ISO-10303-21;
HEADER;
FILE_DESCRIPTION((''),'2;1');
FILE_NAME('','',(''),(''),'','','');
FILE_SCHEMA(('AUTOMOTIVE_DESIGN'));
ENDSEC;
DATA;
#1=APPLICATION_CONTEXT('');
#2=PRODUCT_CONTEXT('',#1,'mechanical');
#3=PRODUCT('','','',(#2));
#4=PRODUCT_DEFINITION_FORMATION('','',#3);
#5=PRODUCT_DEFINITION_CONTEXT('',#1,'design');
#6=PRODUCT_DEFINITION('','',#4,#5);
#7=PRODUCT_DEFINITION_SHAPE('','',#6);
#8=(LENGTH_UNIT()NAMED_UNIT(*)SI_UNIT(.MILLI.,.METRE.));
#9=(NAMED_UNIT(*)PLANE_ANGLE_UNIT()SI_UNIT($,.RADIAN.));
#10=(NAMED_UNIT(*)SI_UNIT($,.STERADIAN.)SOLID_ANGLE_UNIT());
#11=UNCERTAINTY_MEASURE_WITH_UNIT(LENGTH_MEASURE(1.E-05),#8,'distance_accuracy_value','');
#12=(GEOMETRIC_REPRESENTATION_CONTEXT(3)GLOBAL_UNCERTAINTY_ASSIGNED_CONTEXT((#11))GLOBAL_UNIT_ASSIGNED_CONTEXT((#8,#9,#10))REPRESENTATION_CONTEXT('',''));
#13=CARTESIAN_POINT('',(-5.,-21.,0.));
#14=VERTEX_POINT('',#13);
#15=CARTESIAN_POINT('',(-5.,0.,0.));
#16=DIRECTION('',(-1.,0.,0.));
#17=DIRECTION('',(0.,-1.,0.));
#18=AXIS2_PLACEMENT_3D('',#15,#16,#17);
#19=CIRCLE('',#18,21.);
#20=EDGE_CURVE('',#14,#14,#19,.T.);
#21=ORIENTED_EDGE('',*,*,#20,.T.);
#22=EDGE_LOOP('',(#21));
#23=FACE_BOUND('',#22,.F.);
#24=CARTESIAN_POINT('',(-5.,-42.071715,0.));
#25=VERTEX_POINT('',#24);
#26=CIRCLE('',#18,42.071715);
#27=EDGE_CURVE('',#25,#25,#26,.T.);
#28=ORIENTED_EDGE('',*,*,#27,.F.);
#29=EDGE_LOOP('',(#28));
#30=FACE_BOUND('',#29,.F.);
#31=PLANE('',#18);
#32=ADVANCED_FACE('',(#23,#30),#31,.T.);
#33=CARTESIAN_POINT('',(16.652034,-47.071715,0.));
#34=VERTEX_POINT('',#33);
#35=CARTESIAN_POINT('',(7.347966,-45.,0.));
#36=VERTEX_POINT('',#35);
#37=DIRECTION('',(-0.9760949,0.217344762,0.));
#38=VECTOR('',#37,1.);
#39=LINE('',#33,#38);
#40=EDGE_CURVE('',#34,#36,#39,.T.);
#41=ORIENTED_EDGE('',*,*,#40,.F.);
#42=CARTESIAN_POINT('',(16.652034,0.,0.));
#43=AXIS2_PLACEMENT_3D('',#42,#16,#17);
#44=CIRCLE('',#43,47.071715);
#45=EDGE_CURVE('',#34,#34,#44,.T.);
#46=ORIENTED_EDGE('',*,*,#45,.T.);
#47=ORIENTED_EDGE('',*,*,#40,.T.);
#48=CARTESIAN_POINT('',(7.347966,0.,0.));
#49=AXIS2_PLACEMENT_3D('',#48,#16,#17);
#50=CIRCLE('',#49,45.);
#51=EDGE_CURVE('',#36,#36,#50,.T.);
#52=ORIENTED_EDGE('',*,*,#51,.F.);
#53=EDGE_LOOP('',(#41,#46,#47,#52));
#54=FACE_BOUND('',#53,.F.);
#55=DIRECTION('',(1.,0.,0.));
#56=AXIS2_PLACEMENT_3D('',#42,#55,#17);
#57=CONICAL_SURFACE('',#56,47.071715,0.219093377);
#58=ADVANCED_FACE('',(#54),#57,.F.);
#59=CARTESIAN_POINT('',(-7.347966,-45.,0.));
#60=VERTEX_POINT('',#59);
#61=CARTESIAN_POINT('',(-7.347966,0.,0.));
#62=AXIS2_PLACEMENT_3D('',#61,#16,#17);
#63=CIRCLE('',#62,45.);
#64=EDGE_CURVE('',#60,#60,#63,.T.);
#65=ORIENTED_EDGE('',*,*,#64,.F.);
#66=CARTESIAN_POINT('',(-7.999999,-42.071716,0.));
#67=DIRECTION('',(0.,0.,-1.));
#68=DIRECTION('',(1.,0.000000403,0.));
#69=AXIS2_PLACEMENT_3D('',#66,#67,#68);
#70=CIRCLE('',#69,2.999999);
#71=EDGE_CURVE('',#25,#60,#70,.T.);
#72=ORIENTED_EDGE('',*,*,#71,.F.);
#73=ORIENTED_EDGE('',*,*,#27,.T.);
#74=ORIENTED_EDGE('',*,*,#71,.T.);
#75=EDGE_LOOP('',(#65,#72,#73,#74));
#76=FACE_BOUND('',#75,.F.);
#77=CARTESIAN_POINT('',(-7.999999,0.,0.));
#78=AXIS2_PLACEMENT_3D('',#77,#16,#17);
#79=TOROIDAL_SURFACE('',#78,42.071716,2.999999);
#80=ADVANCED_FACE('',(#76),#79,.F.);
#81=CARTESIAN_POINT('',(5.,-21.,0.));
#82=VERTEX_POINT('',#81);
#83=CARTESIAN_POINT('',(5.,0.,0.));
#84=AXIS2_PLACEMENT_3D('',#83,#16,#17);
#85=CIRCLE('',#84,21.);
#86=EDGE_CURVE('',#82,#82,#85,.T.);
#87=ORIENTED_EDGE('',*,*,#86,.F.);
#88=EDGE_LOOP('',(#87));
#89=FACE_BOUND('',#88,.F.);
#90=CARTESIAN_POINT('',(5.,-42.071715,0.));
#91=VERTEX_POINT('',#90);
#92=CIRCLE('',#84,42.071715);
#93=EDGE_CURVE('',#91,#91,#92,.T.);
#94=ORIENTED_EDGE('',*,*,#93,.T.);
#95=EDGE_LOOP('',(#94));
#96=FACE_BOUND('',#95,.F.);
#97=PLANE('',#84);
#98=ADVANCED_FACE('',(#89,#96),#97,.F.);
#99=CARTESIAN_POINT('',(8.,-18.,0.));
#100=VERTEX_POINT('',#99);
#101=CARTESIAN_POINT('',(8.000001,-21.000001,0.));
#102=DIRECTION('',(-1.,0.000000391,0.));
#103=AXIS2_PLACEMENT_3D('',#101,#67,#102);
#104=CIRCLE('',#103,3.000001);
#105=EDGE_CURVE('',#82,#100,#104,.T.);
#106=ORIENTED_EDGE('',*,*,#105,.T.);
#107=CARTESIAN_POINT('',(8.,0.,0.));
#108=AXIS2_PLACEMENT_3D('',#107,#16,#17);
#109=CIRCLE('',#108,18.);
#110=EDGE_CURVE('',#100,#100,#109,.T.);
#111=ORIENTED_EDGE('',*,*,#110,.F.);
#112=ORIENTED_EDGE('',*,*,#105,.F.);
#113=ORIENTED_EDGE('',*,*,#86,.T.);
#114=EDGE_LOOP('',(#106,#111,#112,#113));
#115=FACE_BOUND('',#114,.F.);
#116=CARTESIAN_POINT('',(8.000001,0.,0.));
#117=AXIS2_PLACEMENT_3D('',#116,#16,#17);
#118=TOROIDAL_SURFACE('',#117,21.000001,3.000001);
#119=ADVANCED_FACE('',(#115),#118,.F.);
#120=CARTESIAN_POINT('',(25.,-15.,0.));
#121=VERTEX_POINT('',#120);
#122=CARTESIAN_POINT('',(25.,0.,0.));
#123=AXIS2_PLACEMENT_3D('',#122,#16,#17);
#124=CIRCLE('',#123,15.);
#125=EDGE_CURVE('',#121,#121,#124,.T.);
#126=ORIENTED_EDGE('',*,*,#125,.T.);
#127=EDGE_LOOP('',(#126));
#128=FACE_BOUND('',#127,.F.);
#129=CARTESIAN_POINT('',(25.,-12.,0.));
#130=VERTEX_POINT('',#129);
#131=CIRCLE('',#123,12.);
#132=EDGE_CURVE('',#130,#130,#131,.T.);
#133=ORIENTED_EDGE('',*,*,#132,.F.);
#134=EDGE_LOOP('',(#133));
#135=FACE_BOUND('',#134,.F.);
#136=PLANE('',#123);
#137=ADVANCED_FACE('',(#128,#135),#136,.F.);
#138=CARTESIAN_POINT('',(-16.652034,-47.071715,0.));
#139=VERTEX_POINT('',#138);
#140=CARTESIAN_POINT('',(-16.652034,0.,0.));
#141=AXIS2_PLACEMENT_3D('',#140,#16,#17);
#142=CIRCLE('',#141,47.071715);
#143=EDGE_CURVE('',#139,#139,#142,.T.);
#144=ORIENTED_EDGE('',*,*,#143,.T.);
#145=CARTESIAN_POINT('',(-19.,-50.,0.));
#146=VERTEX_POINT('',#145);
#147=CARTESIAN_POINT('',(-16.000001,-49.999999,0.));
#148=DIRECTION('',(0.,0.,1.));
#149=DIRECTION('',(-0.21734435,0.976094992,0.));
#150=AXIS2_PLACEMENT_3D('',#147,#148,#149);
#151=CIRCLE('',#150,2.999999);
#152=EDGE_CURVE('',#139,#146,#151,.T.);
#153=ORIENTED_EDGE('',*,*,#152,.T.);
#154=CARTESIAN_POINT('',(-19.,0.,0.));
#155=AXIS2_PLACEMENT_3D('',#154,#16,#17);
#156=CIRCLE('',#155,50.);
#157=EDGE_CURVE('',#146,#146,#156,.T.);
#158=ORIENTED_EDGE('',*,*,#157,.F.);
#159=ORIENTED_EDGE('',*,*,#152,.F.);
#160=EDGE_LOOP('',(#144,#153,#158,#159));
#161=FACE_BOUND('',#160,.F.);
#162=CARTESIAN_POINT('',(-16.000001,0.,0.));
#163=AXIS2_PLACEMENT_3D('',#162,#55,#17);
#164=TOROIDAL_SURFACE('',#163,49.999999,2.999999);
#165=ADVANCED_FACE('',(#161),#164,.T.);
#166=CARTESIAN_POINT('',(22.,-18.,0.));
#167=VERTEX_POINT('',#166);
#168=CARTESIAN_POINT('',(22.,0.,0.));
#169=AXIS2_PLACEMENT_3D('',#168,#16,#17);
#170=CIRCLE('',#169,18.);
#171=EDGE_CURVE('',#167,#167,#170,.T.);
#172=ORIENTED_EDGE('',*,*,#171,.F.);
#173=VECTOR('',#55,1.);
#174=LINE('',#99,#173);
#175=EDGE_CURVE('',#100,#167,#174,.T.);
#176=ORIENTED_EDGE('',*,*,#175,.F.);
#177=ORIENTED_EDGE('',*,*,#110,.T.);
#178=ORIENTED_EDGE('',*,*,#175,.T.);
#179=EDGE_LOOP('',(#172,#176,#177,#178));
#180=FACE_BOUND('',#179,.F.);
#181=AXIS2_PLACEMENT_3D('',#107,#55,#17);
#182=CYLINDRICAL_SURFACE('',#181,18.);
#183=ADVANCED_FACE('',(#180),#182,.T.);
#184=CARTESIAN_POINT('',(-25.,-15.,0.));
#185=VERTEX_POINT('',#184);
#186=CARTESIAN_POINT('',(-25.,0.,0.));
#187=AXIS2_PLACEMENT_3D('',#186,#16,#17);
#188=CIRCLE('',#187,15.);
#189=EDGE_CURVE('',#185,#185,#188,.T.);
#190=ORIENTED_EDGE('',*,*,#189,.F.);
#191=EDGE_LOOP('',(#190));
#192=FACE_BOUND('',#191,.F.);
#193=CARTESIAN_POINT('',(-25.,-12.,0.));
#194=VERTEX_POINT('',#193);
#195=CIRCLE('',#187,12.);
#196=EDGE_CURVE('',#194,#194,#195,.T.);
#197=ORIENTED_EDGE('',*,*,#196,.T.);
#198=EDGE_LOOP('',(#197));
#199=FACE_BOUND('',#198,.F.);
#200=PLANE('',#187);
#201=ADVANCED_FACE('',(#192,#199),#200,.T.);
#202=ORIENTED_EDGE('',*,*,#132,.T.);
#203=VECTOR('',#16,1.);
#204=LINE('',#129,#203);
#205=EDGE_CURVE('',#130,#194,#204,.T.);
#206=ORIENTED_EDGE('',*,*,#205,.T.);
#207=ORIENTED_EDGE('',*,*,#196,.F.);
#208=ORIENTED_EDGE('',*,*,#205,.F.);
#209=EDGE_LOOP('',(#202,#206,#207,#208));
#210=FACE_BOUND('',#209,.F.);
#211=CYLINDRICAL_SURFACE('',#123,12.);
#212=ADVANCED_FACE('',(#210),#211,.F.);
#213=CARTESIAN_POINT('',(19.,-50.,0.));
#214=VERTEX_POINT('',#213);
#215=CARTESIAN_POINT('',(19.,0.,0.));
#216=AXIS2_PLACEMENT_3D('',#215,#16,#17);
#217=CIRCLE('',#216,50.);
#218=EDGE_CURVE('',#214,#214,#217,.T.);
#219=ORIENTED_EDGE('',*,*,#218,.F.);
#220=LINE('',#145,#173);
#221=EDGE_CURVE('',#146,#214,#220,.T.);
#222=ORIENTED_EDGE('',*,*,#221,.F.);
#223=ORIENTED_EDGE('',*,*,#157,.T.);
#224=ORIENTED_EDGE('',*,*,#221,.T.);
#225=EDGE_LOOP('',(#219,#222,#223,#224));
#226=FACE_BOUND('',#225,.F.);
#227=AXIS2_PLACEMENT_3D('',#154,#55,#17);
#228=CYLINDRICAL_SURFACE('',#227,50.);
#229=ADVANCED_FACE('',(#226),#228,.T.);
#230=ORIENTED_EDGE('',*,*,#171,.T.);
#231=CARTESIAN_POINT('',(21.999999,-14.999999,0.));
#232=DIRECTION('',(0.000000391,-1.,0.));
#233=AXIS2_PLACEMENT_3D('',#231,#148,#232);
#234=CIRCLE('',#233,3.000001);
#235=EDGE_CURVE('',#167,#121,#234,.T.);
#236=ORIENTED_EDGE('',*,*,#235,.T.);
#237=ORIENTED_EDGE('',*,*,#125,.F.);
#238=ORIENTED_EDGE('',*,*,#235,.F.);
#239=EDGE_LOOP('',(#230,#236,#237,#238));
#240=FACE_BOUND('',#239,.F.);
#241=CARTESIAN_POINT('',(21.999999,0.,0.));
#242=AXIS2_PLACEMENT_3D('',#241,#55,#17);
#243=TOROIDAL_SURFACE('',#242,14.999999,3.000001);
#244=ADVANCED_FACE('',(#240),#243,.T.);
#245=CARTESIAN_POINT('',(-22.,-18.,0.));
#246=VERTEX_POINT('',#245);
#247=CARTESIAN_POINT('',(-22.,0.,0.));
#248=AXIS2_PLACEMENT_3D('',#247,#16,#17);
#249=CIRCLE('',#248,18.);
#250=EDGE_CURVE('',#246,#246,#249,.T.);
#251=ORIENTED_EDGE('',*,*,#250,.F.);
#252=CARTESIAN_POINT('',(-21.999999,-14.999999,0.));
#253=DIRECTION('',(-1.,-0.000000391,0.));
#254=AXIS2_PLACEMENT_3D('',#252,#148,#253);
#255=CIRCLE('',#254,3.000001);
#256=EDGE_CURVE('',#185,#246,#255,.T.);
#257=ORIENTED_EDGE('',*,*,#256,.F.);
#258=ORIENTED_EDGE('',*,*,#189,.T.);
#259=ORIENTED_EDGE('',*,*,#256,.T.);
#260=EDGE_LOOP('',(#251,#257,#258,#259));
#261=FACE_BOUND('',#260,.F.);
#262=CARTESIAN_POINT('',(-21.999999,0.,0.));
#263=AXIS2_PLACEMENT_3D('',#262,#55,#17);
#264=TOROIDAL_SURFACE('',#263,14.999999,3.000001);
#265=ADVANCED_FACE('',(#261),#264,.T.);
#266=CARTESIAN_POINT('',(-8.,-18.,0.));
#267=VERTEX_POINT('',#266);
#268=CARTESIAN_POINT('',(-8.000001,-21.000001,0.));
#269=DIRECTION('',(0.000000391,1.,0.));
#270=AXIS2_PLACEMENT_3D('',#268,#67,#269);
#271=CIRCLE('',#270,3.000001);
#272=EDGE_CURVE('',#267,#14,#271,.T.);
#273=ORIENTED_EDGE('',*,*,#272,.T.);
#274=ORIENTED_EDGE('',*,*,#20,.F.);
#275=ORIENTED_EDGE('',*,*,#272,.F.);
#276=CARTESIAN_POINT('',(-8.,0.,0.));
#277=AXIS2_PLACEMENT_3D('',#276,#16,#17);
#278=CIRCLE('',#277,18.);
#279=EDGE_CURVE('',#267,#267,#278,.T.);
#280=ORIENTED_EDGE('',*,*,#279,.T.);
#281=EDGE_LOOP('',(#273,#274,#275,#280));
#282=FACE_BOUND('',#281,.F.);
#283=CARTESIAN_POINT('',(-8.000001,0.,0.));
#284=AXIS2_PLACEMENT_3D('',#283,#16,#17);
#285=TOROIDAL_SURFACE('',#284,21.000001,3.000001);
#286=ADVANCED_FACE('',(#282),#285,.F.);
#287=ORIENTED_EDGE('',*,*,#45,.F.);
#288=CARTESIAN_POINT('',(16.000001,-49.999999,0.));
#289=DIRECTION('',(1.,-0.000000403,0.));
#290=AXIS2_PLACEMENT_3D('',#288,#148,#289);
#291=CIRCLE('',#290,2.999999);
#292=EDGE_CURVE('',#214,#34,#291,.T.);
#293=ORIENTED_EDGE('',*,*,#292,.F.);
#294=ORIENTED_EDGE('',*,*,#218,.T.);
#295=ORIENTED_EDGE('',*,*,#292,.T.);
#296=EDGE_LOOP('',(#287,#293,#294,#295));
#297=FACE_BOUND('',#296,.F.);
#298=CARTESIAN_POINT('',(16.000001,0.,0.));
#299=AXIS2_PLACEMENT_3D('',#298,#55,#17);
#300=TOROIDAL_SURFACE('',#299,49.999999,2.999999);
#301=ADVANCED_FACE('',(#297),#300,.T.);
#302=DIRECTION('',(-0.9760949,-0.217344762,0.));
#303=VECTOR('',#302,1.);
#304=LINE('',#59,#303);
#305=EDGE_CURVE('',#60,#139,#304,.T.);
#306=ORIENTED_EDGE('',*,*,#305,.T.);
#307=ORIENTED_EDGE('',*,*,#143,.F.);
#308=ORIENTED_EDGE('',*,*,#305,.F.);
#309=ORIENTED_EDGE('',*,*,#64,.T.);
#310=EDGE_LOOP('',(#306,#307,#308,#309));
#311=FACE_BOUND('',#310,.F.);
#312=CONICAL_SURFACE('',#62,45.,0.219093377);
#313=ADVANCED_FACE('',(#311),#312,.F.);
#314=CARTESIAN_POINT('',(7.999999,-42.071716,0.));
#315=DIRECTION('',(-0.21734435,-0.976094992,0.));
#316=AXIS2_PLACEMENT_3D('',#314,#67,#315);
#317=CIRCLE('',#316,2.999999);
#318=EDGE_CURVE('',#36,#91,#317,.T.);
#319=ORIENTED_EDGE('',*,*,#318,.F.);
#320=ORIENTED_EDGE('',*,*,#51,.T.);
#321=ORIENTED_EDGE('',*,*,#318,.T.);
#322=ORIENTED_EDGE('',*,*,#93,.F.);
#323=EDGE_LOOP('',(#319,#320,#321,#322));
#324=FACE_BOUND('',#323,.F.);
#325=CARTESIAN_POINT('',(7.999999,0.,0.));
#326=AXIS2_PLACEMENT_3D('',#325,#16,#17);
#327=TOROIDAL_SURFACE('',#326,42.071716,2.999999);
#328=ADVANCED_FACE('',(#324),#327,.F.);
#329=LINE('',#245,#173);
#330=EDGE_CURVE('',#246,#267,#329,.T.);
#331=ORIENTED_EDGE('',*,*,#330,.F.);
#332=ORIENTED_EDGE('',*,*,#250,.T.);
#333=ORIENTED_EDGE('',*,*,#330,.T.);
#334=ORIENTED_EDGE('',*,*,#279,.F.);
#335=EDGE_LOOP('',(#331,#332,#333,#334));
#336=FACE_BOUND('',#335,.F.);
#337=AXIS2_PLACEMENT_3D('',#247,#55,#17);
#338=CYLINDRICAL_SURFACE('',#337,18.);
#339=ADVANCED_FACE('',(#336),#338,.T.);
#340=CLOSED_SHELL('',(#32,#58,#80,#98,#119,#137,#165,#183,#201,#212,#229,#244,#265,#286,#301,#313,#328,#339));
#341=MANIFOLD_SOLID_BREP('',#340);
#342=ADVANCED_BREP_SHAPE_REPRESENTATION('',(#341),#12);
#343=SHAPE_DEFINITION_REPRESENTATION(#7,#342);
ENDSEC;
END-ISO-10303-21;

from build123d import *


with BuildPart() as f1:
    # F0 (on Top) → F1 (revolve)
    with BuildSketch(Plane.XY):
        with BuildLine():
            Line((-22, -18), (-8, -18))
            ThreePointArc((-8, -18), (-5.87868, -18.87868), (-5, -21))
            Line((-5, -21), (-5, -42.071715))
            ThreePointArc((-5, -42.071715), (-5.659476, -43.948401), (-7.347966, -45))
            Line((-7.347966, -45), (-16.652034, -47.071715))
            ThreePointArc((-16.652034, -47.071715), (-18.340524, -48.123314), (-19, -50))
            Line((-19, -50), (19, -50))
            ThreePointArc((19, -50), (18.340524, -48.123314), (16.652034, -47.071715))
            Line((16.652034, -47.071715), (7.347966, -45))
            ThreePointArc((7.347966, -45), (5.659476, -43.948401), (5, -42.071715))
            Line((5, -42.071715), (5, -21))
            ThreePointArc((5, -21), (5.87868, -18.87868), (8, -18))
            Line((8, -18), (22, -18))
            ThreePointArc((22, -18), (24.12132, -17.12132), (25, -15))
            Line((25, -15), (25, -12))
            Line((25, -12), (-25, -12))
            Line((-25, -12), (-25, -15))
            ThreePointArc((-25, -15), (-24.12132, -17.12132), (-22, -18))
        make_face()
    revolve(axis=Axis((-16.838053, 0, 0), (-1, 0, 0)))


solid = f1.part
